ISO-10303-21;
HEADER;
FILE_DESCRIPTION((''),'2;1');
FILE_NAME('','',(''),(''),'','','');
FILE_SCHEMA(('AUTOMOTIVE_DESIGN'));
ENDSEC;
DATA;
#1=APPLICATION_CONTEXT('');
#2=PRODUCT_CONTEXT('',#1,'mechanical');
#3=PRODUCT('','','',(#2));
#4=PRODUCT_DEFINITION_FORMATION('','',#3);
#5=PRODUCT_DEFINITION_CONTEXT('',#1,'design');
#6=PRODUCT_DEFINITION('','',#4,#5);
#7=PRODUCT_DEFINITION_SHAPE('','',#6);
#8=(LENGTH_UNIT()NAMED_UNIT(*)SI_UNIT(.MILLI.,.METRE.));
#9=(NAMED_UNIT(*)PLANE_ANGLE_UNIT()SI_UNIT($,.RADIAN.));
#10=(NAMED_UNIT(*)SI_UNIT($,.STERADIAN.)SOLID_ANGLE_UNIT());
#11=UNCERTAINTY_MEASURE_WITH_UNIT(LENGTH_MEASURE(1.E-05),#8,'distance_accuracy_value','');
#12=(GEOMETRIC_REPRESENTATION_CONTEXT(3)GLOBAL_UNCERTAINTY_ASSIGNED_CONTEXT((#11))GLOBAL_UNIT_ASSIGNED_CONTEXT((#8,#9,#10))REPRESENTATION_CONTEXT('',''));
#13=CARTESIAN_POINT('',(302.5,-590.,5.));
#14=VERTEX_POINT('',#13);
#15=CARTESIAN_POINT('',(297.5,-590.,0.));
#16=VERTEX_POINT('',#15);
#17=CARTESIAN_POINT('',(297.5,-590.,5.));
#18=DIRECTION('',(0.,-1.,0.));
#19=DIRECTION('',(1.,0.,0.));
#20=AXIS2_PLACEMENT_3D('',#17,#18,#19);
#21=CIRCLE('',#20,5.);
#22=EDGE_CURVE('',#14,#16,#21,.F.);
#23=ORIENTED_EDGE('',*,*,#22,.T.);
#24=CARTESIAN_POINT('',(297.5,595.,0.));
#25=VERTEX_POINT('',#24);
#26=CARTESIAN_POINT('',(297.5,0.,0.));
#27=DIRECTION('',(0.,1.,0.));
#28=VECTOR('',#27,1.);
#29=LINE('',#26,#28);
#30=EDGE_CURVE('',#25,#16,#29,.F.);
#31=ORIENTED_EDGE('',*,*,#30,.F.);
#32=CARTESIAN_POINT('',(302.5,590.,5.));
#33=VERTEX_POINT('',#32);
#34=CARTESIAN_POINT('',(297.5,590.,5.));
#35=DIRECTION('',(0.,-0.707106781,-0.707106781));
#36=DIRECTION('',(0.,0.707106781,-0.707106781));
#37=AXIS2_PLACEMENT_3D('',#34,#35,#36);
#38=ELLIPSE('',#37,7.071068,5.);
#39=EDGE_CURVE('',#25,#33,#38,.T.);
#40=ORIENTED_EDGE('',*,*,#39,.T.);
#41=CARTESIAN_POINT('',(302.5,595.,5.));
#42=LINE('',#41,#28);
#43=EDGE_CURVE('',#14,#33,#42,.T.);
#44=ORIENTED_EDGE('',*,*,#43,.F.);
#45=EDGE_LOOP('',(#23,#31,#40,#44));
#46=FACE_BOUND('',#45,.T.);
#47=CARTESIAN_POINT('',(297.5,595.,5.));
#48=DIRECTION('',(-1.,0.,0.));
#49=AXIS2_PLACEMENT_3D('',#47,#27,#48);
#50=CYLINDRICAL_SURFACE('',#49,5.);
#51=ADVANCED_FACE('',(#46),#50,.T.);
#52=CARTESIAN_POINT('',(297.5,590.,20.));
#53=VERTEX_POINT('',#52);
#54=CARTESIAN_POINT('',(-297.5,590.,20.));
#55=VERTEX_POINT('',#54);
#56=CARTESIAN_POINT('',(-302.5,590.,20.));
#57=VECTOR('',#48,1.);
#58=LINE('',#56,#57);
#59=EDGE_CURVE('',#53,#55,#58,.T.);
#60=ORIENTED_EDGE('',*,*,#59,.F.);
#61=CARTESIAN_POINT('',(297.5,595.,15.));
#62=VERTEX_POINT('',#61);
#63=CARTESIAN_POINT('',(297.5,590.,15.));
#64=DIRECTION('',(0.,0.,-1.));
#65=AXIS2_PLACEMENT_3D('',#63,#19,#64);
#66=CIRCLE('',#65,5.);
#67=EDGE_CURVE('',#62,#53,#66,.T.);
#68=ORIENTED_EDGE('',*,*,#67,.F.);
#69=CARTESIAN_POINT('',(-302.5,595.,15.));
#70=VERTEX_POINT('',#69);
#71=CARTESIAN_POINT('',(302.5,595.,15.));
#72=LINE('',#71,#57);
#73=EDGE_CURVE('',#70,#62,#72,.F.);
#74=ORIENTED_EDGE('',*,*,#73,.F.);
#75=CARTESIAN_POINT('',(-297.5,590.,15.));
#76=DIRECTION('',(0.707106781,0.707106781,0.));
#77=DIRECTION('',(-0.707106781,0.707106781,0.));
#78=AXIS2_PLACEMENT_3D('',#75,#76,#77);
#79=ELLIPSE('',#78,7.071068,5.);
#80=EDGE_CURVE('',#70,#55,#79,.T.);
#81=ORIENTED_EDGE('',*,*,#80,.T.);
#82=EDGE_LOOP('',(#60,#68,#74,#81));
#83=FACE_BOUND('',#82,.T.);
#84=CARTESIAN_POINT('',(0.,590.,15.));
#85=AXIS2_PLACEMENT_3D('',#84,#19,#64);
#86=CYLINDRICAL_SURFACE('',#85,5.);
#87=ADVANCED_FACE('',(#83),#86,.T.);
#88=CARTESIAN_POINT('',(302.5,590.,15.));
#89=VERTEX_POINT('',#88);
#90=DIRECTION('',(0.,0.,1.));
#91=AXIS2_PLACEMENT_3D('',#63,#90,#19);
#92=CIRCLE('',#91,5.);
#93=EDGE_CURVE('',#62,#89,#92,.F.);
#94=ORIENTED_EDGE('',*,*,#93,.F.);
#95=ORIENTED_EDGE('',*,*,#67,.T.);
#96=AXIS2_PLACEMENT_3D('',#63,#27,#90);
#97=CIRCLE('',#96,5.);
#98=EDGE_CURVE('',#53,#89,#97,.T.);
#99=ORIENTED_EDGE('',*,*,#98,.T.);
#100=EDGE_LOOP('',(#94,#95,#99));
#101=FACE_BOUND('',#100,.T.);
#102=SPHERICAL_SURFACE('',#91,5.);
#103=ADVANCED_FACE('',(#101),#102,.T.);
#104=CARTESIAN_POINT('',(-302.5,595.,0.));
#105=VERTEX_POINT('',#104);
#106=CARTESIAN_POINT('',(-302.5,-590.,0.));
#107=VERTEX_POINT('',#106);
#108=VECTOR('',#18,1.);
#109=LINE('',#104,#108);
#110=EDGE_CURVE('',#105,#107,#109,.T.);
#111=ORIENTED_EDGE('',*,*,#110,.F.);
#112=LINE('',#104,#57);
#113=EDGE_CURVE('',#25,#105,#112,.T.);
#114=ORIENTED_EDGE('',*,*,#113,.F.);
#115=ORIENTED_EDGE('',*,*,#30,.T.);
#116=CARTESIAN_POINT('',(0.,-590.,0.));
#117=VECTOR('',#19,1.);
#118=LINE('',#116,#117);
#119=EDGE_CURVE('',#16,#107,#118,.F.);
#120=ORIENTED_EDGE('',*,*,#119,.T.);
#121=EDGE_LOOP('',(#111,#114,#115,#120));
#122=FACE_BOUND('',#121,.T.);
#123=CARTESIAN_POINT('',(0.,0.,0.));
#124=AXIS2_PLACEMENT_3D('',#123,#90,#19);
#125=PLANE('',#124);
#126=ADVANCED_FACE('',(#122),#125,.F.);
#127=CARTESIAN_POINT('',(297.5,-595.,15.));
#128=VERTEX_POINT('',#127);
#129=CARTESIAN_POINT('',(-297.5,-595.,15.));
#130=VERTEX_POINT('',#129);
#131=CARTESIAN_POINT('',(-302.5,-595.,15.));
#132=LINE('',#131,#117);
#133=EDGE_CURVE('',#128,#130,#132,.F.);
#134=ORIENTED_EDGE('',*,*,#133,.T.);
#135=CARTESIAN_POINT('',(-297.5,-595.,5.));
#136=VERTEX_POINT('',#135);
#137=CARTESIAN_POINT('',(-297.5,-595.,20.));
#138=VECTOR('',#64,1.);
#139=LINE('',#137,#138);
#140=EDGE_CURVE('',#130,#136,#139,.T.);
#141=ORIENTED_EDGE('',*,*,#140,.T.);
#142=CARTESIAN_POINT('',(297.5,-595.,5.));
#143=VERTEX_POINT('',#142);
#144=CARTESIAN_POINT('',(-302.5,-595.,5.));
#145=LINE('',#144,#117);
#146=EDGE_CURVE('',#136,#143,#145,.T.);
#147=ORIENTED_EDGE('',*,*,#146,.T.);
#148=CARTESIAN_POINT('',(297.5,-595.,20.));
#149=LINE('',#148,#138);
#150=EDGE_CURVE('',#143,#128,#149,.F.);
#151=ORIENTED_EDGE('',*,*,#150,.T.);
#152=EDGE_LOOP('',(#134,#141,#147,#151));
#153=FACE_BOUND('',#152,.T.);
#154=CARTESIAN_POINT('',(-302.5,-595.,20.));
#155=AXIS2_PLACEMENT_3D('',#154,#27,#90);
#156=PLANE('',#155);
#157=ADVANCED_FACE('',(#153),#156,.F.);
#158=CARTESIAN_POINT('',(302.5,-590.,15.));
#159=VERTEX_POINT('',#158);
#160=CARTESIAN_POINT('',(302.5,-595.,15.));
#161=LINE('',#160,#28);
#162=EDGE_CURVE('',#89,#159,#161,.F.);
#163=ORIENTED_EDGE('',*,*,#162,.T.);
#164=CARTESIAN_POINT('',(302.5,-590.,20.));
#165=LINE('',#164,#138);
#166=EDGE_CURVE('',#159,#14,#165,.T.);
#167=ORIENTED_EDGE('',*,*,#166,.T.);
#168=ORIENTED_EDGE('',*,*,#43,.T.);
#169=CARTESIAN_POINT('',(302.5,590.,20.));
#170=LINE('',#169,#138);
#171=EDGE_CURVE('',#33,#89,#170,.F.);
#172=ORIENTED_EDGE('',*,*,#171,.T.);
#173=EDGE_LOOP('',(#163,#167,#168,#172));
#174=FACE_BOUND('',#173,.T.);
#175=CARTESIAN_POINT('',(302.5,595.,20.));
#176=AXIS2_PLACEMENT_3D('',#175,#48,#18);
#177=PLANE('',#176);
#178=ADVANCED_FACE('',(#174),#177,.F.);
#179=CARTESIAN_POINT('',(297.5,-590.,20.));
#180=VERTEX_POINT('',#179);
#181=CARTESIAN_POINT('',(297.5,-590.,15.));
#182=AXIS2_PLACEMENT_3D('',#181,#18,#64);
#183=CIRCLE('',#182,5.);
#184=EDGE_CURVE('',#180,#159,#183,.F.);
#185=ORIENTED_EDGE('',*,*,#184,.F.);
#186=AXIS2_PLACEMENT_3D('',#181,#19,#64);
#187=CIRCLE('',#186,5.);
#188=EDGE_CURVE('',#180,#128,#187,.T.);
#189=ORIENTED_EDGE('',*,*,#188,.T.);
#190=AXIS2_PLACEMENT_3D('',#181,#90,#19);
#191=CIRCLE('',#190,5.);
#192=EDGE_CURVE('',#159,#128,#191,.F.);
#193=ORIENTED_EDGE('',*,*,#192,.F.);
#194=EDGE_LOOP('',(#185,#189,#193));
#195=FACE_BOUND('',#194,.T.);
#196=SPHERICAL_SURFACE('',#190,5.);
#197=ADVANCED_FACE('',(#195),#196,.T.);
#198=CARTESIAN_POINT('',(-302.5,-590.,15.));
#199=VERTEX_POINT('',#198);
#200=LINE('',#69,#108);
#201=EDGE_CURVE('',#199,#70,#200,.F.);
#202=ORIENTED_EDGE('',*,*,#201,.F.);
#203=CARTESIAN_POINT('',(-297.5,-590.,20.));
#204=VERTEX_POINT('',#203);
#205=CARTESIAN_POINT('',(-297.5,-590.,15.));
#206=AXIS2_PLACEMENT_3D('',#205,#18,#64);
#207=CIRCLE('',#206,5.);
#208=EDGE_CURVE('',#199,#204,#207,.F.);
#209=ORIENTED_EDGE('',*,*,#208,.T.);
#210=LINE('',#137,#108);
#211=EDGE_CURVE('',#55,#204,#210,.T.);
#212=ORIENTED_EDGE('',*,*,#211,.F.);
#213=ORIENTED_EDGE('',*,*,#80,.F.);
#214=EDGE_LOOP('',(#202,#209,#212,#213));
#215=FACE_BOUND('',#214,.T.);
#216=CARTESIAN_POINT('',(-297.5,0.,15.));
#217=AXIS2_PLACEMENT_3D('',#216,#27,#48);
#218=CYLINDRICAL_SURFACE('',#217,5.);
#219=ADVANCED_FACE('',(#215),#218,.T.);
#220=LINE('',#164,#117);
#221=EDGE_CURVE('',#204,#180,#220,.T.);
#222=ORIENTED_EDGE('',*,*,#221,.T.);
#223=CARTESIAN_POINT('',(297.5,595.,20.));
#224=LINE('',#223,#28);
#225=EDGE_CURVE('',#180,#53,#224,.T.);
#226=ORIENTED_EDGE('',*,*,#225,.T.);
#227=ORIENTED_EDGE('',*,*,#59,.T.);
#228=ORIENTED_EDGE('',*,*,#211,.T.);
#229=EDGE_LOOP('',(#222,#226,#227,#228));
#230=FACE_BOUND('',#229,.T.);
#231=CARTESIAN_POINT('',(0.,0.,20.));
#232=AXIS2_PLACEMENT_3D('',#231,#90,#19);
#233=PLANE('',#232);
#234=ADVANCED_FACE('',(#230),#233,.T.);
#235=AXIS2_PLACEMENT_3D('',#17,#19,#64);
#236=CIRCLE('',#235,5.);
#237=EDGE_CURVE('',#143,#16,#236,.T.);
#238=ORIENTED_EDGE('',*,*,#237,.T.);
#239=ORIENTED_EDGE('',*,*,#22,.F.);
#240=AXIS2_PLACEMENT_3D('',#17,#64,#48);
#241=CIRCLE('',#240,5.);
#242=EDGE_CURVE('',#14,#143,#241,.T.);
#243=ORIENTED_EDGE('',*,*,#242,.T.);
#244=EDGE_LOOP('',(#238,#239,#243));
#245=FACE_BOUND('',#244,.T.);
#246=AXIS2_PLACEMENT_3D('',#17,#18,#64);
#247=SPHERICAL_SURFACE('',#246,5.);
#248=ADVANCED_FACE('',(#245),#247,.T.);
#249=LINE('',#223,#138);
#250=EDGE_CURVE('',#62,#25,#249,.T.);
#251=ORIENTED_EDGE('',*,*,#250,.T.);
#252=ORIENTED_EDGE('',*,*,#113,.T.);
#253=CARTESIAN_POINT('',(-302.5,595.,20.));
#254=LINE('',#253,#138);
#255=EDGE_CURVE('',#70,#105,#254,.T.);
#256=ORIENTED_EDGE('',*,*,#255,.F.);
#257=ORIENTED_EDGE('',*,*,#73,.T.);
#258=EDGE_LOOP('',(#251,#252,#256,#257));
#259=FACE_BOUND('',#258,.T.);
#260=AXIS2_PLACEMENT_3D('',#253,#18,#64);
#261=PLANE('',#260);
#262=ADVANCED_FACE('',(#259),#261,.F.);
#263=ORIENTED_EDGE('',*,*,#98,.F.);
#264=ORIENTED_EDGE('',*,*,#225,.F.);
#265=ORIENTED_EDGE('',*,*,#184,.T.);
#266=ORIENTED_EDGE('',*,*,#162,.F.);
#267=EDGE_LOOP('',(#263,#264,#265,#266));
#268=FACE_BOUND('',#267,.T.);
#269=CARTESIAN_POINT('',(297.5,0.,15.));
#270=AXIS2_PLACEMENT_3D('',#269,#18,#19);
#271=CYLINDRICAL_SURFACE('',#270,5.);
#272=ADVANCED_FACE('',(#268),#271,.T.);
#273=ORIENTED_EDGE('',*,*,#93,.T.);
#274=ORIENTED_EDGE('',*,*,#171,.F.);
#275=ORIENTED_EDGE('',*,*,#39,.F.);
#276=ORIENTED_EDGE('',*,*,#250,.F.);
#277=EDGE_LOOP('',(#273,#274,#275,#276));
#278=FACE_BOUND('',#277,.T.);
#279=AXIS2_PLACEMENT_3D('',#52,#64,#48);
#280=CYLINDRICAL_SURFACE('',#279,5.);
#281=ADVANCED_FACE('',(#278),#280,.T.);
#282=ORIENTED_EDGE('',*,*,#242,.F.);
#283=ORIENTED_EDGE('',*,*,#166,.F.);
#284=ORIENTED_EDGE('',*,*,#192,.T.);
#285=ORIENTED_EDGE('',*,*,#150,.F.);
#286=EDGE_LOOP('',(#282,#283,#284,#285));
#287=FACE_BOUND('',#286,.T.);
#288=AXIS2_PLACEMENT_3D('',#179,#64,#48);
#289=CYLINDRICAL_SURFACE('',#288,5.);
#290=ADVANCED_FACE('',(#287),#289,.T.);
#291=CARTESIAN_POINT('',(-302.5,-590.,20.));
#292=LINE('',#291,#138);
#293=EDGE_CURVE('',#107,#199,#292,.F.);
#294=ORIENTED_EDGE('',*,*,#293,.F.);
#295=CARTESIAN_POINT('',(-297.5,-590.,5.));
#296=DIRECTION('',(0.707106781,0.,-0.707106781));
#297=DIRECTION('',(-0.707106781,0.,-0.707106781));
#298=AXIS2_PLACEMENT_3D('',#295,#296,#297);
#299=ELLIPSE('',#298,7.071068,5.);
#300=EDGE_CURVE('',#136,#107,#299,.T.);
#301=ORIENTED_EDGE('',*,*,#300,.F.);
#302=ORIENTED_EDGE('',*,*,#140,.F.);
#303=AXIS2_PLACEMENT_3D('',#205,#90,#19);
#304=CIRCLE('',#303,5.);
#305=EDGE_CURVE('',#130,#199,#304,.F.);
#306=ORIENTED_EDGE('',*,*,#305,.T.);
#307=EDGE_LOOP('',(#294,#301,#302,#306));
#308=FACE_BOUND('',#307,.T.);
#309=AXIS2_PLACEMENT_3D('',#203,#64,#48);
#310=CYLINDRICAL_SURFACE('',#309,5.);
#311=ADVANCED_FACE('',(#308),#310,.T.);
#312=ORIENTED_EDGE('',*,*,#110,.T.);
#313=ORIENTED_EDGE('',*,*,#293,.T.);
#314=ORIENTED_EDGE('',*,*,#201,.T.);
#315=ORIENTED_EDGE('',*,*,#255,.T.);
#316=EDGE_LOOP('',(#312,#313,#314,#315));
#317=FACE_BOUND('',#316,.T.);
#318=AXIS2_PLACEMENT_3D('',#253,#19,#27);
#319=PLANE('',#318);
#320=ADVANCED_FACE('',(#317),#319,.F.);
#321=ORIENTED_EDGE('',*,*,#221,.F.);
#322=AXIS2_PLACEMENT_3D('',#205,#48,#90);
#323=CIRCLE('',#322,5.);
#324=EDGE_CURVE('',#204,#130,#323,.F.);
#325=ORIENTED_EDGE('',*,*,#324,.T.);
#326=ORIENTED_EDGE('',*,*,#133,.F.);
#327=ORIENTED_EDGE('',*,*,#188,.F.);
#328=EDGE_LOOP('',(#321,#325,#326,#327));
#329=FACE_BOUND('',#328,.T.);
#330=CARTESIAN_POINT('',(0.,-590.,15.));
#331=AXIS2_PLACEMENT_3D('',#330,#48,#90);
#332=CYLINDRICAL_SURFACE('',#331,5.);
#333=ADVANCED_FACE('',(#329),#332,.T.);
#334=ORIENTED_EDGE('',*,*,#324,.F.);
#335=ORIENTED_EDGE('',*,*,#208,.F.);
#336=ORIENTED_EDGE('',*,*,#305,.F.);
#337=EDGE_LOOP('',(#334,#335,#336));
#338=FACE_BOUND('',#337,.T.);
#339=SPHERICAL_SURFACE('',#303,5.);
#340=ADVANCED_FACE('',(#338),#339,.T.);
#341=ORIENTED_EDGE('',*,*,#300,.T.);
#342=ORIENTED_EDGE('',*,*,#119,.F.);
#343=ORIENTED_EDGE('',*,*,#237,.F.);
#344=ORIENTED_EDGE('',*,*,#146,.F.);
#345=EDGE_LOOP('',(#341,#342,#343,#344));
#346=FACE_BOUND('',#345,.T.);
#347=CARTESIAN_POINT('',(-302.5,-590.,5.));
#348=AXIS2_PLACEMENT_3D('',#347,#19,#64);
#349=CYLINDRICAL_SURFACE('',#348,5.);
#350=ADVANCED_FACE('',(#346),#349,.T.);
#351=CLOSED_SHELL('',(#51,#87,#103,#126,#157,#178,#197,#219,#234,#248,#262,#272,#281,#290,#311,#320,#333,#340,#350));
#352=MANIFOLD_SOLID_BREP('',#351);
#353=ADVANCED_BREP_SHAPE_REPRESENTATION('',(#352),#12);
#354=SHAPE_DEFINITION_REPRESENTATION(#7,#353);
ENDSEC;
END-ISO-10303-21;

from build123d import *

# Parameters (mm, degrees)
SKETCH1_W           = 605
SKETCH1_H           = 1190
BOSS_EXTRUDE1_DEPTH = 20
FILLET1_R           = 5


with BuildPart() as part:
    # Sketch1 → Boss-Extrude1 (new body)
    with BuildSketch(Plane.XY):
        Rectangle(SKETCH1_W, SKETCH1_H)
    extrude(amount=BOSS_EXTRUDE1_DEPTH)

    # Fillet1
    fillet1_edges = [part.edges().sort_by_distance(p)[0] for p in [
        (-302.5, 0, 20),
        (0, -595, 20),
        (302.5, 0, 20),
        (0, -595, 0),
        (302.5, 0, 0),
        (302.5, -595, 10),
        (-302.5, -595, 10),
        (302.5, 595, 10),
        (0, 595, 20),
    ]]
    fillet(fillet1_edges, radius=FILLET1_R)


solid = part.part
